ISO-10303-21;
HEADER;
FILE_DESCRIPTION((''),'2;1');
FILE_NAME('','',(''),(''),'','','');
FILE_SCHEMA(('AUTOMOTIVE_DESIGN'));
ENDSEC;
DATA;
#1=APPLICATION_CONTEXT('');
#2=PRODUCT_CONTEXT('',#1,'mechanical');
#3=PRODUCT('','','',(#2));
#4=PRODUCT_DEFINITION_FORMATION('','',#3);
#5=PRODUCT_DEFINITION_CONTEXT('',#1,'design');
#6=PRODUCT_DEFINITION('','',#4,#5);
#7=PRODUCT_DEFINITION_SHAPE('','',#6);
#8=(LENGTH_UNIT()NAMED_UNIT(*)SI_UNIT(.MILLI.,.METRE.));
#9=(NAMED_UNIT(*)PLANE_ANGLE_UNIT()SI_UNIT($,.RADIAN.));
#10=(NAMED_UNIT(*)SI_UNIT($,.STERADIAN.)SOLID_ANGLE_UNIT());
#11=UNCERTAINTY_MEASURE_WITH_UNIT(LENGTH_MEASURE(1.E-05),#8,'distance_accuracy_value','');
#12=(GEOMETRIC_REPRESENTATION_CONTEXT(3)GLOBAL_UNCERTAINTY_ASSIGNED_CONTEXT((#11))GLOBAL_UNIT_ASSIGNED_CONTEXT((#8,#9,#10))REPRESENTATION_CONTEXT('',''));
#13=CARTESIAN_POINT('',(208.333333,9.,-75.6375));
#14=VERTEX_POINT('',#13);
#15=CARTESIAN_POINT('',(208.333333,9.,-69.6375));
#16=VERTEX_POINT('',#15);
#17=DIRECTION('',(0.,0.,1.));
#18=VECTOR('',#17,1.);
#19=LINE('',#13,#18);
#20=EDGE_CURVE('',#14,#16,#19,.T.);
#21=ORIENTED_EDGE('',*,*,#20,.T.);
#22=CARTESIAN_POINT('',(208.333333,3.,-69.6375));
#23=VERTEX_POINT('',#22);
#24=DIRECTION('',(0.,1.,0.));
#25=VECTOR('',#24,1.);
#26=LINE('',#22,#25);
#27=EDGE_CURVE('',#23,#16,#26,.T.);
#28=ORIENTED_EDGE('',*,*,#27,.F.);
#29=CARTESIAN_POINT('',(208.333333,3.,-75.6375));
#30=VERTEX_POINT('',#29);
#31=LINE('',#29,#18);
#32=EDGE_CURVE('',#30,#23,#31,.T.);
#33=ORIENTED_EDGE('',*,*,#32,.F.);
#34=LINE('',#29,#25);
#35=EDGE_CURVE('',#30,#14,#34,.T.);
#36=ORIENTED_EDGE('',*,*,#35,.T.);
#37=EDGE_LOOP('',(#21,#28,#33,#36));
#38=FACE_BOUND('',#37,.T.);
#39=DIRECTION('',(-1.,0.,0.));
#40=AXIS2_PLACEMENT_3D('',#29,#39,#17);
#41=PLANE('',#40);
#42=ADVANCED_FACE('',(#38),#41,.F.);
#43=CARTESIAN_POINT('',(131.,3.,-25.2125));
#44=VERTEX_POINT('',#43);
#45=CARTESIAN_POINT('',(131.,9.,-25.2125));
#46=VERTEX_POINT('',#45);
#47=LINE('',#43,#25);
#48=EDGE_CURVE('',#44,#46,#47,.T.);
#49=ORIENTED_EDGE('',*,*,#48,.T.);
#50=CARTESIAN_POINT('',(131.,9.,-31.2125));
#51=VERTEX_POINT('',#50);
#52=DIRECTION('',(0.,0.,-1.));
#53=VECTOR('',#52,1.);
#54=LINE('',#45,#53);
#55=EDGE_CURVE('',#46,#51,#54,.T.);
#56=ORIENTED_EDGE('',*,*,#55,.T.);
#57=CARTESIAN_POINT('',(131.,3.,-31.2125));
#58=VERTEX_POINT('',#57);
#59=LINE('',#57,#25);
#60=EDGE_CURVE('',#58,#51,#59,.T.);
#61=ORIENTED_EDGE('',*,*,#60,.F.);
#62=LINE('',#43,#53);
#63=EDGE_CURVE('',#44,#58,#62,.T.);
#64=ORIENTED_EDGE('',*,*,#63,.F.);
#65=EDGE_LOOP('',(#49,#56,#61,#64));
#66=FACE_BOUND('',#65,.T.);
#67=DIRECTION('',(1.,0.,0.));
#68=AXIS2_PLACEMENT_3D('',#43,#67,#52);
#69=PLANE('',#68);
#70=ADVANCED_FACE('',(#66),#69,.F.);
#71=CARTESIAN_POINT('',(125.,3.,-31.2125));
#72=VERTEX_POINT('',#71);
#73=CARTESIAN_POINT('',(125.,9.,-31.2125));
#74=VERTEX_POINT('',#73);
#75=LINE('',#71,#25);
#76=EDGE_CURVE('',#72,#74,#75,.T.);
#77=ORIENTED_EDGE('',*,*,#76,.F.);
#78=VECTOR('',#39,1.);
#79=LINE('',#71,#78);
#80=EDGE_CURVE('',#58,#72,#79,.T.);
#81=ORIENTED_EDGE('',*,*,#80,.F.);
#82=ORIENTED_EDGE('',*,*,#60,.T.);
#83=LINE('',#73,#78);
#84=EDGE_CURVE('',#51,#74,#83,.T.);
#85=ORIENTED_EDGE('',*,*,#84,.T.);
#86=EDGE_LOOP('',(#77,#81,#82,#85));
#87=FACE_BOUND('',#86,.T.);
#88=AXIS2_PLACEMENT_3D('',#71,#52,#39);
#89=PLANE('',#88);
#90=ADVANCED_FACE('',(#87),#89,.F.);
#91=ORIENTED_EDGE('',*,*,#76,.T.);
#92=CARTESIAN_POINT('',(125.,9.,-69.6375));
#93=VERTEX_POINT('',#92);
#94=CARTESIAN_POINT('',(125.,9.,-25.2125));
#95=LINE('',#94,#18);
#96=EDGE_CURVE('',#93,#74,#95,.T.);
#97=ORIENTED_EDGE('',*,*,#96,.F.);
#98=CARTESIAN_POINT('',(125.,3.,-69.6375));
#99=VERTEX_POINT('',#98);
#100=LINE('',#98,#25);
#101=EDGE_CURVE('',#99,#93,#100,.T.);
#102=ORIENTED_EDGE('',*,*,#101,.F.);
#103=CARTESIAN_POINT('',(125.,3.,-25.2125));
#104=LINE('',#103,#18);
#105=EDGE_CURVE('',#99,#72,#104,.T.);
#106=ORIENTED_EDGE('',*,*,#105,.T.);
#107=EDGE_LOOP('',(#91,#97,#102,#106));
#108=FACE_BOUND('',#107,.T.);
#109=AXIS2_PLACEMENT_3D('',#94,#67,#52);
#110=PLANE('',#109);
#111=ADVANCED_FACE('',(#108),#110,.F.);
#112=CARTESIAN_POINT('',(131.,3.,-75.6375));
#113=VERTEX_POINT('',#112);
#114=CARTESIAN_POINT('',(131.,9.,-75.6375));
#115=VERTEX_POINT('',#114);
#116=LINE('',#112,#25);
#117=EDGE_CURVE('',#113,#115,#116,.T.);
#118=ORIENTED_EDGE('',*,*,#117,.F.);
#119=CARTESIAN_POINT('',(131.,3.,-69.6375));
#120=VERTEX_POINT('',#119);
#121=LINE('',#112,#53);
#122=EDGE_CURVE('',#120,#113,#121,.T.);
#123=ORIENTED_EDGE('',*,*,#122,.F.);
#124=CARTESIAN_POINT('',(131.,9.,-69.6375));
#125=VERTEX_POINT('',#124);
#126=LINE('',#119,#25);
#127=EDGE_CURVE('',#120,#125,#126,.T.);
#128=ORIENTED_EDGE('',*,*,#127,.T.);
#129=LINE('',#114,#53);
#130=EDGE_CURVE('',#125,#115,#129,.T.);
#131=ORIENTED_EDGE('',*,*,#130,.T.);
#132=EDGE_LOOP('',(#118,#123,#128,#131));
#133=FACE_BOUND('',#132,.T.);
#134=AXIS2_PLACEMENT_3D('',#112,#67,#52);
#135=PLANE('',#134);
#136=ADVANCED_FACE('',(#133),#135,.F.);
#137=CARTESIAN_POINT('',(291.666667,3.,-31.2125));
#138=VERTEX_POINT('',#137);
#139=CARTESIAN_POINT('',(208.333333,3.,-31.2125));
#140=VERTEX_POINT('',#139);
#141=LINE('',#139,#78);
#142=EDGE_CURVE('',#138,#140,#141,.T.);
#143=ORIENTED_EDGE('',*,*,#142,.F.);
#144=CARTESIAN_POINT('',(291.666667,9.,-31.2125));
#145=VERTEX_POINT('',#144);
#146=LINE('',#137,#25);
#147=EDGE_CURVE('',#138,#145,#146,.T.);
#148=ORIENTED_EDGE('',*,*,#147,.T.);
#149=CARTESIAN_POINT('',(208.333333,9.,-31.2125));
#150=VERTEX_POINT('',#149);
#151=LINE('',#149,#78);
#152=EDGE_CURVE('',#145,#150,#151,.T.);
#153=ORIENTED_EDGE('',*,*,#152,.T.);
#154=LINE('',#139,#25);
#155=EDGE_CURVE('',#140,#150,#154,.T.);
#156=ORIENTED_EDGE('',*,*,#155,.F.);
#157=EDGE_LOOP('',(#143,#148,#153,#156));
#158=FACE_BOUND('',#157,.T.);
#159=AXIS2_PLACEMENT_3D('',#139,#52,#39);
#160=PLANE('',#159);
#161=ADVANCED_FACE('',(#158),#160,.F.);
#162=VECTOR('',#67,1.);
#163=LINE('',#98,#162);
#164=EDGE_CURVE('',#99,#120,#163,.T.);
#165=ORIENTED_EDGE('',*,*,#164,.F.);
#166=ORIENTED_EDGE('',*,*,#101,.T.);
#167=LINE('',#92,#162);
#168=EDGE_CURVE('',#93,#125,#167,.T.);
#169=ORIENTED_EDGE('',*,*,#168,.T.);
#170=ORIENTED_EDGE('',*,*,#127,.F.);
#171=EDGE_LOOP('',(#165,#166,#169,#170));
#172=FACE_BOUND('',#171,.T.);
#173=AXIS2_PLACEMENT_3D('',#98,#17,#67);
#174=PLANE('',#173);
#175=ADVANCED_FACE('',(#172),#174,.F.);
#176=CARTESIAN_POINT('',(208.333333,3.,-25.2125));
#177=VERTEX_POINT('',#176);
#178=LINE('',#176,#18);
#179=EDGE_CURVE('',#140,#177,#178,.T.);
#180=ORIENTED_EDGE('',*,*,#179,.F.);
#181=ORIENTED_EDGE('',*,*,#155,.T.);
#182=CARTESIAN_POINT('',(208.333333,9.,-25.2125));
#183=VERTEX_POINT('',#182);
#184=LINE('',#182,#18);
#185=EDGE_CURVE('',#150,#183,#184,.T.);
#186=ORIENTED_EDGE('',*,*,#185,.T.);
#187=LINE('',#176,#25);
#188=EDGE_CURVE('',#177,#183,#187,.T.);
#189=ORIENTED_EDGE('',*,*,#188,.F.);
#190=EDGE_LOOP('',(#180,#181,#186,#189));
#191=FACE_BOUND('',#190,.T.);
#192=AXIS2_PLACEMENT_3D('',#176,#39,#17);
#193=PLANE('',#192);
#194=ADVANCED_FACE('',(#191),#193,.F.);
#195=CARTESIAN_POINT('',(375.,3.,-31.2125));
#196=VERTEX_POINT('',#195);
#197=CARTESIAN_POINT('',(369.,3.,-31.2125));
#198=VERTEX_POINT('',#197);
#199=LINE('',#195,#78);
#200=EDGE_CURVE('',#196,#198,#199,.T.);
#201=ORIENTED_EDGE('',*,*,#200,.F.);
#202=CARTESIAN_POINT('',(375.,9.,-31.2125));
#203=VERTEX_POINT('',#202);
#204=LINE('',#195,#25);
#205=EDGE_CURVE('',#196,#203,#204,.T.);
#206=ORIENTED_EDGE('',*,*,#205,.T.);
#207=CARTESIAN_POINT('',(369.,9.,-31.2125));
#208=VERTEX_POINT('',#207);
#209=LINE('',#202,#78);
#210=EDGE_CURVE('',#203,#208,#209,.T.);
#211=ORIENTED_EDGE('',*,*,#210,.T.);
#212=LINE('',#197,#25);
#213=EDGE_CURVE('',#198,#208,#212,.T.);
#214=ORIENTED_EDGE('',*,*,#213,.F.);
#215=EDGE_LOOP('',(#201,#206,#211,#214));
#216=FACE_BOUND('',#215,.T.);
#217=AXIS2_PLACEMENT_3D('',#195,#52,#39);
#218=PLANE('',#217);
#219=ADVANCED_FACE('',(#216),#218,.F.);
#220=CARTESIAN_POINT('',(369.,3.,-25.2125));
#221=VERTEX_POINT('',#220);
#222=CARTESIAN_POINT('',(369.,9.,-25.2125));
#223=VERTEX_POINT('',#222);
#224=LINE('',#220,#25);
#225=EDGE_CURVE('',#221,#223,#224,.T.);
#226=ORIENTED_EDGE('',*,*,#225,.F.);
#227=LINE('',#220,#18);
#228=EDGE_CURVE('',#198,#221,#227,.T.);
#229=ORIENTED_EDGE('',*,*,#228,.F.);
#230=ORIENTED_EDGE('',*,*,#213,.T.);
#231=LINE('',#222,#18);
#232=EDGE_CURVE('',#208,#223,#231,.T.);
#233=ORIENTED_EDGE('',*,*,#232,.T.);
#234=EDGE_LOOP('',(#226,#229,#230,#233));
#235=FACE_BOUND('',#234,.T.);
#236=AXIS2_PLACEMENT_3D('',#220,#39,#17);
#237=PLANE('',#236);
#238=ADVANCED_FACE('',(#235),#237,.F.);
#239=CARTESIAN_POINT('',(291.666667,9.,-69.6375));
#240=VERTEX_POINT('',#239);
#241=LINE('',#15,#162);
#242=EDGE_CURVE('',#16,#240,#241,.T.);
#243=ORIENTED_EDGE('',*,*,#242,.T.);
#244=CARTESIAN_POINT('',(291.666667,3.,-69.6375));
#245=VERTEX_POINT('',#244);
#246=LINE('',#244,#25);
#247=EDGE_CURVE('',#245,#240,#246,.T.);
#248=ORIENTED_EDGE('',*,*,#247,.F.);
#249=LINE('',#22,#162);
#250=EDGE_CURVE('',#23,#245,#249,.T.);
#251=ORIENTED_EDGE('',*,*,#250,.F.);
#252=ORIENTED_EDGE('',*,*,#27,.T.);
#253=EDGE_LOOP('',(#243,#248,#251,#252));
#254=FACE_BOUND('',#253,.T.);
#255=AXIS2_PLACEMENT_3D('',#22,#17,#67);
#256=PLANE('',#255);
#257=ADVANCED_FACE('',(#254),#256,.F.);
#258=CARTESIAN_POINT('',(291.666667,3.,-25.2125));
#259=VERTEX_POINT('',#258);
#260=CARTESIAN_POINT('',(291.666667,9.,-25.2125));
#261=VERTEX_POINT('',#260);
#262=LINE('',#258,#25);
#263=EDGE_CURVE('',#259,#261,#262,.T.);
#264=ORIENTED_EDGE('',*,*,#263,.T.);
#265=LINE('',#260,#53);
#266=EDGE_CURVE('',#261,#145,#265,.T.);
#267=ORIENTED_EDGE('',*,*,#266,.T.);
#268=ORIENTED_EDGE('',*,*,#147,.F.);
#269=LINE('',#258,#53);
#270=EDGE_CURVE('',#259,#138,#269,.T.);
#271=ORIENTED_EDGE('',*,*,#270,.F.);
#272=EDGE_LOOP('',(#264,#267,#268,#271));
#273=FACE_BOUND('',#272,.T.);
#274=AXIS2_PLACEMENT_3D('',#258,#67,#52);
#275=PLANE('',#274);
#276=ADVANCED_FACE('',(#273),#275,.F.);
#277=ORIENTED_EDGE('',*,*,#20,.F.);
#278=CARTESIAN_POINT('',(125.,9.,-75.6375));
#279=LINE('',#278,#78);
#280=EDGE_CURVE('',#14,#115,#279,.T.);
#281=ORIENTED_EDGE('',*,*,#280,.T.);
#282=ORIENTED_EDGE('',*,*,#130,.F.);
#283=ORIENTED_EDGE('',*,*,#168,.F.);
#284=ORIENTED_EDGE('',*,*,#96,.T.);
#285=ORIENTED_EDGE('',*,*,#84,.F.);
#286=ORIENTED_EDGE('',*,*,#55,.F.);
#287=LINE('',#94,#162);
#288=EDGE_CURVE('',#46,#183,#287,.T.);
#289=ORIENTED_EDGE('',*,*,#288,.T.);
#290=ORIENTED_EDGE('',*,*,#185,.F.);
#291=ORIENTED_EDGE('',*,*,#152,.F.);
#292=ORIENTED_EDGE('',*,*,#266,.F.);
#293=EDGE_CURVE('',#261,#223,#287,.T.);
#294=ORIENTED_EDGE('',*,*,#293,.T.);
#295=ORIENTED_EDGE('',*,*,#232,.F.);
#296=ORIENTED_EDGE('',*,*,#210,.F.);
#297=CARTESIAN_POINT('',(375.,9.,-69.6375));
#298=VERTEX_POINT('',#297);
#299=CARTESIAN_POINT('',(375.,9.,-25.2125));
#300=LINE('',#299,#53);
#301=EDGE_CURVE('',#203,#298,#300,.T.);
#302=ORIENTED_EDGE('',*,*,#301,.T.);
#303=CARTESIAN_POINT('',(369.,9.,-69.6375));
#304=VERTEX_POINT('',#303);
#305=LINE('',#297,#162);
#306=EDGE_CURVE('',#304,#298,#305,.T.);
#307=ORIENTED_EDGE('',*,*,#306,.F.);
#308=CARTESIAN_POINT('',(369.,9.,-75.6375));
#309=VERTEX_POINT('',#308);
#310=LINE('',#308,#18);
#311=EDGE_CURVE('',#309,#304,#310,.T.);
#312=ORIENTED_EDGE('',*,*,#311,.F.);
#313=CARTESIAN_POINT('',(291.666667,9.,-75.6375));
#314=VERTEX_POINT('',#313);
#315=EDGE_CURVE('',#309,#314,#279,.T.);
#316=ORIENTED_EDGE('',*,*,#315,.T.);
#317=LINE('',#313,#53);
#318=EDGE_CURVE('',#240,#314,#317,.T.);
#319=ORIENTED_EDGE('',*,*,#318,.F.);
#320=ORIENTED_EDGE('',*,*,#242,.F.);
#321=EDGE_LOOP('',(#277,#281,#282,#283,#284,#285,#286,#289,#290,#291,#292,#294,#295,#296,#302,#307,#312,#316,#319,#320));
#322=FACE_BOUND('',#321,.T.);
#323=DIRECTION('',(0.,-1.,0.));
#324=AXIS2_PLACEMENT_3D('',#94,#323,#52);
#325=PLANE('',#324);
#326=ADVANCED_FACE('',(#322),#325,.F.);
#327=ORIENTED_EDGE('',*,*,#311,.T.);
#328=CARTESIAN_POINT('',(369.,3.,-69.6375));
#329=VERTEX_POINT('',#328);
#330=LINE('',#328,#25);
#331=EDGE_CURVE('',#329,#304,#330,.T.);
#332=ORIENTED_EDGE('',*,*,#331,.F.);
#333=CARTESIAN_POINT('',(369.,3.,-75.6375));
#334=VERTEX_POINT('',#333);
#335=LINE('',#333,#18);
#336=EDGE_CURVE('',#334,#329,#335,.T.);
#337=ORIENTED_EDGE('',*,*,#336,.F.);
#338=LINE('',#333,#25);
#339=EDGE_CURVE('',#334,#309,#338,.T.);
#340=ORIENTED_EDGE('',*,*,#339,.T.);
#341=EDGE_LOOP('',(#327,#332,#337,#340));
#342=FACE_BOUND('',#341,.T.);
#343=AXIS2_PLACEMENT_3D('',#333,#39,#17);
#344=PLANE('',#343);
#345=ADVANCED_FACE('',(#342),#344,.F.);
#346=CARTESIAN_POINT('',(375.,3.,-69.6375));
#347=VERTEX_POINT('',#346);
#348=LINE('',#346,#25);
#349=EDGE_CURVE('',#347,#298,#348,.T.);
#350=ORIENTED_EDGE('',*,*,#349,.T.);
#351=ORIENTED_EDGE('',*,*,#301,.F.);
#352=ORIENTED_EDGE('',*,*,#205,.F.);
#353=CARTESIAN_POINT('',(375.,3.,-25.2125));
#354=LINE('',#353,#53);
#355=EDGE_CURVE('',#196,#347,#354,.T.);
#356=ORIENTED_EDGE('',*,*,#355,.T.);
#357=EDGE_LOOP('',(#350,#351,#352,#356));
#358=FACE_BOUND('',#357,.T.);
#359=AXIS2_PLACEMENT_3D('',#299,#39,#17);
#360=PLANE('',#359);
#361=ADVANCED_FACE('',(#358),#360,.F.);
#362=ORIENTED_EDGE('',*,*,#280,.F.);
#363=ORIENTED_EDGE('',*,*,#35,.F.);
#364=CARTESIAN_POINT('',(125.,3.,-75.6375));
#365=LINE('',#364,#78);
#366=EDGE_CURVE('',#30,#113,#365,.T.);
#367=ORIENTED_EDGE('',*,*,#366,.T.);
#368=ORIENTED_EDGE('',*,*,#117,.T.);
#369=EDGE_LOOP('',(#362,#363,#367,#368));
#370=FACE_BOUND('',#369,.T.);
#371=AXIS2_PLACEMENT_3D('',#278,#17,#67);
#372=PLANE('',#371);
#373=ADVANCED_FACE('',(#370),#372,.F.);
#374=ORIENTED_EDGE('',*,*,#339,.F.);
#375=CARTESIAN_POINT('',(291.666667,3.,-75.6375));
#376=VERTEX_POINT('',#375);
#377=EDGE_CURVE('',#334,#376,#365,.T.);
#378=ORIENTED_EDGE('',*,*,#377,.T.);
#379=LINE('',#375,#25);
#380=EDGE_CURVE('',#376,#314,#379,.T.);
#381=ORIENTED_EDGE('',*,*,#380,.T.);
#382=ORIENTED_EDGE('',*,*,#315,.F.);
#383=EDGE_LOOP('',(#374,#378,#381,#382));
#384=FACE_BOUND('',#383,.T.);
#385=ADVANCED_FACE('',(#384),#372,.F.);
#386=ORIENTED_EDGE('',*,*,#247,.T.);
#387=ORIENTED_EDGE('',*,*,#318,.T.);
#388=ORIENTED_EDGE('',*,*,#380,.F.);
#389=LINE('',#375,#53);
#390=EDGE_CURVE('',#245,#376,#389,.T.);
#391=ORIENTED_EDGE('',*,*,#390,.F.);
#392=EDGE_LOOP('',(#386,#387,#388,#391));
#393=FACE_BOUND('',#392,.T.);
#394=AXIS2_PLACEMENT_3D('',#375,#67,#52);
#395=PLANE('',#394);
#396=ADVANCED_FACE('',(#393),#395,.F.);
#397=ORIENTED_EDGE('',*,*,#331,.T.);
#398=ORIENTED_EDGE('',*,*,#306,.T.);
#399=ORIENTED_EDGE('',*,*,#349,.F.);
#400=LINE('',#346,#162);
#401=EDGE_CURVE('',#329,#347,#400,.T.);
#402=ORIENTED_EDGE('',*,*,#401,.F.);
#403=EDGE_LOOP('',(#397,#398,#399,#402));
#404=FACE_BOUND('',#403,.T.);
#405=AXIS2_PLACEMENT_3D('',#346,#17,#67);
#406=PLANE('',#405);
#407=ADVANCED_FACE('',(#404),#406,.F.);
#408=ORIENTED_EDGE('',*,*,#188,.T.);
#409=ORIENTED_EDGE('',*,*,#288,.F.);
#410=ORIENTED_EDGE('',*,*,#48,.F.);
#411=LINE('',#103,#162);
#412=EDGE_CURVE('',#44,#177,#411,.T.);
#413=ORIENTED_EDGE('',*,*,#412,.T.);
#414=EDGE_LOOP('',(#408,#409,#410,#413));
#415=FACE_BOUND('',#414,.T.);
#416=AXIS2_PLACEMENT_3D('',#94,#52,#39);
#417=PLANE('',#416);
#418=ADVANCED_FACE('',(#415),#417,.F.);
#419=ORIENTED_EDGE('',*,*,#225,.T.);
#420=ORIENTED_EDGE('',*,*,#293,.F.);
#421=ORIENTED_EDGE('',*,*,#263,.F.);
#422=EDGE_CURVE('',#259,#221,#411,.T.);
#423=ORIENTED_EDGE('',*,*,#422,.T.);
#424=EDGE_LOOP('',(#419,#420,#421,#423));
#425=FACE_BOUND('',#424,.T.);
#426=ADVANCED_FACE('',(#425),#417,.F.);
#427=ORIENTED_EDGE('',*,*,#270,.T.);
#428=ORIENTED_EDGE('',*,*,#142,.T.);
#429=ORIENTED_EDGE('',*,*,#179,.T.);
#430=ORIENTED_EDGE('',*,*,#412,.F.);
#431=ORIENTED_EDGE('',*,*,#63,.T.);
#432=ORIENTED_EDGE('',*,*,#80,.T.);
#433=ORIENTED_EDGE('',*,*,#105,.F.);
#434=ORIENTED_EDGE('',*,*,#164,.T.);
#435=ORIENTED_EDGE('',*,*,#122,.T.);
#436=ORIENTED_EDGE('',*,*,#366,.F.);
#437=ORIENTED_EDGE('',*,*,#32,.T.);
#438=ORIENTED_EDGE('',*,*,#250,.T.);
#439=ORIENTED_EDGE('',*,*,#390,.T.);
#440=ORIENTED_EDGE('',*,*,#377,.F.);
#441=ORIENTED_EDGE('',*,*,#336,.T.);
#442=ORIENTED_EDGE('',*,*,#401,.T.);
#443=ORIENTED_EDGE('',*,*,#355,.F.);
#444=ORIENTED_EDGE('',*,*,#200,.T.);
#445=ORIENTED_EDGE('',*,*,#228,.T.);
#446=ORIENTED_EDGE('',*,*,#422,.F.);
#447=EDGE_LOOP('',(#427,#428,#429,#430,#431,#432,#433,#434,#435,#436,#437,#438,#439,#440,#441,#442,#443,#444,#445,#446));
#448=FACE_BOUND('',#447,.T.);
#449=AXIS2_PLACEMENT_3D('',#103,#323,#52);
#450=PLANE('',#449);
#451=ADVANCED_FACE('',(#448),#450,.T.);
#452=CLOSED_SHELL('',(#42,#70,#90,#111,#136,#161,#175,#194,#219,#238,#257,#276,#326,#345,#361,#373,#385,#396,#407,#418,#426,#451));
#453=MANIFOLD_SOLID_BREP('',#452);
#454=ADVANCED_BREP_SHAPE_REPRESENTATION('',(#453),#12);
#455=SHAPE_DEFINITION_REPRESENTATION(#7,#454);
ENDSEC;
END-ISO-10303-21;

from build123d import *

# Parameters (mm, degrees)
SKETCH2_W           = 500
SKETCH2_H           = 100.85
BOSS_EXTRUDE1_DEPTH = 12
SKETCH4_W           = 12
SKETCH4_H           = 12
CUT_EXTRUDE2_DEPTH  = 511.210468826
SKETCH5_W           = 166.666666666
SKETCH5_H           = 12
CUT_EXTRUDE3_DEPTH  = 511.210468826
SCALE1_SCALE        = 0.5


with BuildPart() as part:
    # Sketch2 → Boss-Extrude1 (new body)
    with BuildSketch(Plane(origin=(0, 0, 0), x_dir=(1, 0, 0), z_dir=(0, 1, 0))):
        with Locations((250, 50.425)):
            Rectangle(SKETCH2_W, SKETCH2_H)
    extrude(amount=BOSS_EXTRUDE1_DEPTH)

    # Sketch4 → Cut-Extrude2 (cut, through all)
    with BuildSketch(Plane(origin=(0, 12, 0), x_dir=(1, 0, 0), z_dir=(0, 1, 0))):
        with Locations((494, 6)):
            Rectangle(SKETCH4_W, SKETCH4_H)
        with Locations((494, 94.85)):
            Rectangle(SKETCH4_W, SKETCH4_H)
        with Locations((6, 94.85)):
            Rectangle(SKETCH4_W, SKETCH4_H)
        with Locations((6, 6)):
            Rectangle(SKETCH4_W, SKETCH4_H)
    extrude(amount=-CUT_EXTRUDE2_DEPTH, mode=Mode.SUBTRACT)

    # Sketch5 → Cut-Extrude3 (cut, through all)
    with BuildSketch(Plane(origin=(0, 12, 0), x_dir=(1, 0, 0), z_dir=(0, 1, 0))):
        with Locations((250, 94.85)):
            Rectangle(SKETCH5_W, SKETCH5_H)
        with Locations((250, 6)):
            Rectangle(SKETCH5_W, SKETCH5_H)
    extrude(amount=-CUT_EXTRUDE3_DEPTH, mode=Mode.SUBTRACT)


with BuildPart() as part_1:
    # Scale1: scaled about (250, 6, -50.425)
    add(part.part.scale(SCALE1_SCALE).moved(Location((125, 3, -25.2125))))


solid = part_1.part
